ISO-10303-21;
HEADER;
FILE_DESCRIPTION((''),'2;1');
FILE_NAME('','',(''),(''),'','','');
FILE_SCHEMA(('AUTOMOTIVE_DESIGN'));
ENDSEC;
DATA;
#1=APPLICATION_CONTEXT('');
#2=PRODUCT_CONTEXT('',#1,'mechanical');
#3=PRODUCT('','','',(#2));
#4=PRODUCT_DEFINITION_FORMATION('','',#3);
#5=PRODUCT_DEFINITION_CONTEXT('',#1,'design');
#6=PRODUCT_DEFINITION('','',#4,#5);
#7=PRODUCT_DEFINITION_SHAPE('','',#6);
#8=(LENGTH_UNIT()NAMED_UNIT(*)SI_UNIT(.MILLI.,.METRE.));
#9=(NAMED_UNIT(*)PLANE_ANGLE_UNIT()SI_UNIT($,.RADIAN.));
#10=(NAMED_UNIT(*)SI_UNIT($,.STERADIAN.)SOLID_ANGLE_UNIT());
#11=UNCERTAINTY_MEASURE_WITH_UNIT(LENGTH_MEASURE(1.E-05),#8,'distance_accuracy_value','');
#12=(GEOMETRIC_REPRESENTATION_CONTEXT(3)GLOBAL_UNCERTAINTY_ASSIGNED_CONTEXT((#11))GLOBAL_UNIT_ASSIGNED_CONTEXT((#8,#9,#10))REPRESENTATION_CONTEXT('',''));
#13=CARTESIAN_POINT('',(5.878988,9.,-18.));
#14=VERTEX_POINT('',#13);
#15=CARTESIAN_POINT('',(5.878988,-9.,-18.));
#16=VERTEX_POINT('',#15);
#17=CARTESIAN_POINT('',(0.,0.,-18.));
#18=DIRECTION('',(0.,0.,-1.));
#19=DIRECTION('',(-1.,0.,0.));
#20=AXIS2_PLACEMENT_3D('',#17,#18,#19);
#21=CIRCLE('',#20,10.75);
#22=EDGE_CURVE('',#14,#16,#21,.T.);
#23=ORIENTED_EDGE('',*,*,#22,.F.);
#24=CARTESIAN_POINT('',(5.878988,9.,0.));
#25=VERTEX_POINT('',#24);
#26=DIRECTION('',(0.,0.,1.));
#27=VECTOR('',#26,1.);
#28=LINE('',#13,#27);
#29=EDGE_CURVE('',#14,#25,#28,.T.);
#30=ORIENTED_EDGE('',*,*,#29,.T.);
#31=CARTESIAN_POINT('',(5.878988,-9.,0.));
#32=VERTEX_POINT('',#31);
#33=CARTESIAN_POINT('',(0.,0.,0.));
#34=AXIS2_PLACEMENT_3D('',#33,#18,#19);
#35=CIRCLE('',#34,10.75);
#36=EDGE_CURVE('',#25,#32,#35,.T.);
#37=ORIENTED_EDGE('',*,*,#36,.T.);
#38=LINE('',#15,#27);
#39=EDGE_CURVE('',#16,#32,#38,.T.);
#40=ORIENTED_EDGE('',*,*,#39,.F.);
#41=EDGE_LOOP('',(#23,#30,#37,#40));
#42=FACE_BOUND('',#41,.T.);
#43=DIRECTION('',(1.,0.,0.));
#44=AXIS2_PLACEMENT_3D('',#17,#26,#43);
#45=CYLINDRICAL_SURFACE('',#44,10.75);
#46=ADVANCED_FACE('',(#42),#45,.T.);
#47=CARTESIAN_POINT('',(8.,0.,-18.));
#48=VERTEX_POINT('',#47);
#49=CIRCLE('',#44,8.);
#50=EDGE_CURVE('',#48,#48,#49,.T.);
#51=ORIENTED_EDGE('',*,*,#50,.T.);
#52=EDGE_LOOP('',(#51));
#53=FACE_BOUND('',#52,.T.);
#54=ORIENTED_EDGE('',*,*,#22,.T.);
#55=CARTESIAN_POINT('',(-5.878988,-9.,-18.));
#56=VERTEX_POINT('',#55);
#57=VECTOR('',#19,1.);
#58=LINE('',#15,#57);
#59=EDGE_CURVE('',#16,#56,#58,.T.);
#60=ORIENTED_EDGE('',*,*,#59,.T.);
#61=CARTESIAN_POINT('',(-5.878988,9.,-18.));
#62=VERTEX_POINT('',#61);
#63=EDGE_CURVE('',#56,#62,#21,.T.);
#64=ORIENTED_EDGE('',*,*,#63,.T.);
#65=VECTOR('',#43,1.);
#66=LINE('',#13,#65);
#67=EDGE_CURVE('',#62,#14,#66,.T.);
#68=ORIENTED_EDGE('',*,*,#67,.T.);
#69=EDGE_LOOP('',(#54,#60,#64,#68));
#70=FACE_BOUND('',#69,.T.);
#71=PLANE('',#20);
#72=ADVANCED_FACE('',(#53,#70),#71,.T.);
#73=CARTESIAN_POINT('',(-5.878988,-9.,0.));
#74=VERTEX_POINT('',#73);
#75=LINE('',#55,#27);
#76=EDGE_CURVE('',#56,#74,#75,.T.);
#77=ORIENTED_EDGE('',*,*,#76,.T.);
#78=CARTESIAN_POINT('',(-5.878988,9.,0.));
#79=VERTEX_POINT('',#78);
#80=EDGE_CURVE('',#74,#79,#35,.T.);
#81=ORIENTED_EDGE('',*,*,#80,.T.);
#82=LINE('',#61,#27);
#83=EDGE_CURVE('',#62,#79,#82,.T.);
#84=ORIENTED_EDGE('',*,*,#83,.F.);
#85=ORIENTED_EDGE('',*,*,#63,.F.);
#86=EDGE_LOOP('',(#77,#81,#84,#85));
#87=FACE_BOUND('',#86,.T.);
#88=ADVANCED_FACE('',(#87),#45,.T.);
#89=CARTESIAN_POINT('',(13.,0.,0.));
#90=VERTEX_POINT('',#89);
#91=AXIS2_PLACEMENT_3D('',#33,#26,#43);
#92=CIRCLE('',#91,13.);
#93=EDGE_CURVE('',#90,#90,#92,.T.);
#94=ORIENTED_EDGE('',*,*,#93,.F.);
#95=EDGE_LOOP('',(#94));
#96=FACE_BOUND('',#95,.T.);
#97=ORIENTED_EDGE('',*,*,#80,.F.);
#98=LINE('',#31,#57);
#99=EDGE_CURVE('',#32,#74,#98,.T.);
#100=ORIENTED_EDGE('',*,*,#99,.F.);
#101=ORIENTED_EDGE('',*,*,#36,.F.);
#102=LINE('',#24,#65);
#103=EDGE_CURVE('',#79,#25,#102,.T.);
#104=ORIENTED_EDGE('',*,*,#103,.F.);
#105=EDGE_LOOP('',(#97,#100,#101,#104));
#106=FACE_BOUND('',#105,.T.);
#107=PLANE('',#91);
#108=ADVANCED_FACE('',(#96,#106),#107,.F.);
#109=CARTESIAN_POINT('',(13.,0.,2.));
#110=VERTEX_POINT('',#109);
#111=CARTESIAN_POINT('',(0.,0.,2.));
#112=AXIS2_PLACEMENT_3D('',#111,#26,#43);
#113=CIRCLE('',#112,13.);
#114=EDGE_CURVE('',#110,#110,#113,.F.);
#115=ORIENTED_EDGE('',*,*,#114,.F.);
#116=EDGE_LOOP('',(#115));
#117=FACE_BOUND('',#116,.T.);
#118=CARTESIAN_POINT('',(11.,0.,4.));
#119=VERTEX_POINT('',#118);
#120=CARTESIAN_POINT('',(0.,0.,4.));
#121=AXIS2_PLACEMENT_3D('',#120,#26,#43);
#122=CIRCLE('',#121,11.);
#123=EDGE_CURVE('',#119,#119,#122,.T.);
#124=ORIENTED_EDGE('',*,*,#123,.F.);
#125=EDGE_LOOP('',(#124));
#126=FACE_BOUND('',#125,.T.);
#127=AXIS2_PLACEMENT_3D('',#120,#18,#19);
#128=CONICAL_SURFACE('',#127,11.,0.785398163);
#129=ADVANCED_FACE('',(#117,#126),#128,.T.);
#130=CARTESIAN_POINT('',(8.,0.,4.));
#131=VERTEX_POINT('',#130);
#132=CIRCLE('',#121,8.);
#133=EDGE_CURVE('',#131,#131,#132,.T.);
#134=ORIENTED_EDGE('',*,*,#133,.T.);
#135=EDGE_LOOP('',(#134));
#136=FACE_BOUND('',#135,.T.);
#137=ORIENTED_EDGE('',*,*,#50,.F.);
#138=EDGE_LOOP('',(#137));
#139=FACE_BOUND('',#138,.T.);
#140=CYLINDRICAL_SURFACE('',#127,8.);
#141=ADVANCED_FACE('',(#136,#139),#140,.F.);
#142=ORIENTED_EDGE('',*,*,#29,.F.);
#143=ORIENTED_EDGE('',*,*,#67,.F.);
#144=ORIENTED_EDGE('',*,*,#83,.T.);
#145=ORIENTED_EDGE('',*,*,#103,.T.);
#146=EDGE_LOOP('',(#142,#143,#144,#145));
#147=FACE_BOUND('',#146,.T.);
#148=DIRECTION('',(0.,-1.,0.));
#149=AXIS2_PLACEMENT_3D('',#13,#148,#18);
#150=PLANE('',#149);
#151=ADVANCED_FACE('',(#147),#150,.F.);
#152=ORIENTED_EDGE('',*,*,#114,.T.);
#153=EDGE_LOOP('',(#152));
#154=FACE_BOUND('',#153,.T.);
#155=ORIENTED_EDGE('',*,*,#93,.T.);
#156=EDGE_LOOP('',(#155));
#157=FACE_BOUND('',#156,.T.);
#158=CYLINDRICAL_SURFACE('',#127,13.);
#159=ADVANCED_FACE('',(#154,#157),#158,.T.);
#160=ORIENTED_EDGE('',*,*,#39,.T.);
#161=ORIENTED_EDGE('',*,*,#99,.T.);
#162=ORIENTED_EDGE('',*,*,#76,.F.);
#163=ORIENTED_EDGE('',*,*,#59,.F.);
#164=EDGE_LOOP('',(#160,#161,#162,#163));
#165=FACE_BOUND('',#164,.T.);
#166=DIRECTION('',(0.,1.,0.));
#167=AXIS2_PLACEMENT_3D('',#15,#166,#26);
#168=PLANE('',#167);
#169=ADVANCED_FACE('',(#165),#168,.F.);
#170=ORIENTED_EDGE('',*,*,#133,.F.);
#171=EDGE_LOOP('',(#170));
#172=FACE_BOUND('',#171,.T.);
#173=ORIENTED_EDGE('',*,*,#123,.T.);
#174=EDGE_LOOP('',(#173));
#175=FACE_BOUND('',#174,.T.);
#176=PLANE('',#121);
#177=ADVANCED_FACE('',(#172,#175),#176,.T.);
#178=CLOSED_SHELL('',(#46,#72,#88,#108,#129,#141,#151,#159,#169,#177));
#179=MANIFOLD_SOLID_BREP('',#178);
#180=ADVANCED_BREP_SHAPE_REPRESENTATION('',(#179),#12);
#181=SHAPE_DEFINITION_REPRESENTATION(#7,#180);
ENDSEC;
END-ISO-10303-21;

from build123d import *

# Parameters (mm, degrees)
SKETCH1_R           = 13
SKETCH1_R_2         = 8
BOSS_EXTRUDE1_DEPTH = 4
BOSS_EXTRUDE2_DEPTH = 18
CUT_EXTRUDE1_START  = -18
SKETCH3_R           = 8
CUT_EXTRUDE1_DEPTH  = 18
CHAMFER1_SIZE       = 2


with BuildPart() as part:
    # Sketch1 → Boss-Extrude1 (new body)
    with BuildSketch(Plane.XY):
        Circle(SKETCH1_R)
        Circle(SKETCH1_R_2, mode=Mode.SUBTRACT)
    extrude(amount=BOSS_EXTRUDE1_DEPTH)

    # Sketch2 → Boss-Extrude2 (add)
    with BuildSketch(Plane(origin=(0, 0, 0), x_dir=(-1, 0, 0), z_dir=(0, 0, -1))):
        with BuildLine():
            Line((-5.878988008, 9), (5.878988008, 9))
            ThreePointArc((5.878988008, 9), (10.75, 0), (5.878988008, -9))
            Line((5.878988008, -9), (-5.878988008, -9))
            ThreePointArc((-5.878988008, -9), (-10.75, 0), (-5.878988008, 9))
        make_face()
    extrude(amount=BOSS_EXTRUDE2_DEPTH)

    # Sketch3 → Cut-Extrude1 (cut)
    with BuildSketch(Plane.XY.offset(CUT_EXTRUDE1_START)):
        Circle(SKETCH3_R)
    extrude(amount=CUT_EXTRUDE1_DEPTH, mode=Mode.SUBTRACT)

    # Chamfer1
    chamfer1_edges = [part.edges().sort_by_distance(p)[0] for p in [
        (-13, 0, 4),
    ]]
    chamfer(chamfer1_edges, length=CHAMFER1_SIZE)


solid = part.part
